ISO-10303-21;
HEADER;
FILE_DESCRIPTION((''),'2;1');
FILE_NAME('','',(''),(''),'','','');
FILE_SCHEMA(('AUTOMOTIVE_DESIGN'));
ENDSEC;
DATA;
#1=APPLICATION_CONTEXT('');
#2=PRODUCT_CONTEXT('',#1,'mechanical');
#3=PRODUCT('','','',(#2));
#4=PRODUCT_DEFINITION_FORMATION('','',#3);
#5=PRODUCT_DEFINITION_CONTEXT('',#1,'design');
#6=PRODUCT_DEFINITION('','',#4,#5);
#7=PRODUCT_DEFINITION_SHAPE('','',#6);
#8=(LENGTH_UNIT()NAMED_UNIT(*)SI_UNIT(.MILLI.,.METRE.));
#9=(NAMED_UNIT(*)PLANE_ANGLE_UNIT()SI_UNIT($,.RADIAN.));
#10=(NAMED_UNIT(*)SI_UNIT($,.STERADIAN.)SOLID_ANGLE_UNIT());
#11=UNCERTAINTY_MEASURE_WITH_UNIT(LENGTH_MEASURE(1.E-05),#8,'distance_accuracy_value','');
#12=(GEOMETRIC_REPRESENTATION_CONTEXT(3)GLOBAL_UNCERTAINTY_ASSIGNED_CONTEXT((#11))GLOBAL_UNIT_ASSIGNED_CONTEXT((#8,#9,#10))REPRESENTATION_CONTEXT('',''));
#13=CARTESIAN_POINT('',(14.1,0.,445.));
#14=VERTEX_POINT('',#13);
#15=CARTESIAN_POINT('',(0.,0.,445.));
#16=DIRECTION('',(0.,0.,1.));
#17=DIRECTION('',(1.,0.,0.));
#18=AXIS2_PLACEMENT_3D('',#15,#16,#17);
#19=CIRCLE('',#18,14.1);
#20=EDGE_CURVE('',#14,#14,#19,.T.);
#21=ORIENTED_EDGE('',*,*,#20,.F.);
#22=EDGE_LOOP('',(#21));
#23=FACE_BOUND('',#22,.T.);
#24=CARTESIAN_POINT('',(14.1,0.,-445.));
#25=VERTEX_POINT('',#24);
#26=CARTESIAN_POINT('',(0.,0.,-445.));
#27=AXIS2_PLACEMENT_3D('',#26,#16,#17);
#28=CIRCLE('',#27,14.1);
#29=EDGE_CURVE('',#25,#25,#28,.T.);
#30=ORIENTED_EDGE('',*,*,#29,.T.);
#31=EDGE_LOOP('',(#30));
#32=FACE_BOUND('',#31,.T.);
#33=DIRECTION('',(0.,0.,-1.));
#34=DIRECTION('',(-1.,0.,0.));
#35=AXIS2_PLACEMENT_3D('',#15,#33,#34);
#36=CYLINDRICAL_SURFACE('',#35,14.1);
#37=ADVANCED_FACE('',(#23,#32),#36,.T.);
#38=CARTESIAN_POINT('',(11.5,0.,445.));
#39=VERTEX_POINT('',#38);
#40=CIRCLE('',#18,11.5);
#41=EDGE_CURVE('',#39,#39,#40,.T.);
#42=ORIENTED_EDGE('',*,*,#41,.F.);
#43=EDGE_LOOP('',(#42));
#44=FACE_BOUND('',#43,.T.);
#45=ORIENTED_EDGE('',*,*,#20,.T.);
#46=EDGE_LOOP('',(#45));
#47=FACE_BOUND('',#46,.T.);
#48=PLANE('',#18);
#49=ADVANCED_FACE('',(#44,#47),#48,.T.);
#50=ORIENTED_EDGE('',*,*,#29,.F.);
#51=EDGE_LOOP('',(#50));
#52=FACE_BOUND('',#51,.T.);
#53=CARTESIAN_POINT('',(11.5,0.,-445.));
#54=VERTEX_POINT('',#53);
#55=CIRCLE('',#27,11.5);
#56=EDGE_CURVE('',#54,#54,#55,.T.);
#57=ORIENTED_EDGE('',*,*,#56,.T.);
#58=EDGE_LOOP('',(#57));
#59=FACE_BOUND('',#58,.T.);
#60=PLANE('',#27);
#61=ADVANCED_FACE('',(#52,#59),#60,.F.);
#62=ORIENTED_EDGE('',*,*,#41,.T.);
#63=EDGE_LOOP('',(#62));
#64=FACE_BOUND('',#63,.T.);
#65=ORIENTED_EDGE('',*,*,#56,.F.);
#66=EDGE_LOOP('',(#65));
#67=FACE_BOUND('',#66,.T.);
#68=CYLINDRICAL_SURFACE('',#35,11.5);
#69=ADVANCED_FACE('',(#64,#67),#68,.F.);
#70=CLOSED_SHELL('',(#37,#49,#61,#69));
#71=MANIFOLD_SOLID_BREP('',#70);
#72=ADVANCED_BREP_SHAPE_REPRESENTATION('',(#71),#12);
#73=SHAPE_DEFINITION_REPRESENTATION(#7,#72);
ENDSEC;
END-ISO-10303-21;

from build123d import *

# Parameters (mm, degrees)
SKETCH1_R           = 14.1
SKETCH1_R_2         = 11.5
BOSS_EXTRUDE1_DEPTH = 445


with BuildPart() as part:
    # Sketch1 → Boss-Extrude1 (new, symmetric)
    with BuildSketch(Plane.XY):
        Circle(SKETCH1_R)
        Circle(SKETCH1_R_2, mode=Mode.SUBTRACT)
    extrude(amount=BOSS_EXTRUDE1_DEPTH, both=True)


solid = part.part
